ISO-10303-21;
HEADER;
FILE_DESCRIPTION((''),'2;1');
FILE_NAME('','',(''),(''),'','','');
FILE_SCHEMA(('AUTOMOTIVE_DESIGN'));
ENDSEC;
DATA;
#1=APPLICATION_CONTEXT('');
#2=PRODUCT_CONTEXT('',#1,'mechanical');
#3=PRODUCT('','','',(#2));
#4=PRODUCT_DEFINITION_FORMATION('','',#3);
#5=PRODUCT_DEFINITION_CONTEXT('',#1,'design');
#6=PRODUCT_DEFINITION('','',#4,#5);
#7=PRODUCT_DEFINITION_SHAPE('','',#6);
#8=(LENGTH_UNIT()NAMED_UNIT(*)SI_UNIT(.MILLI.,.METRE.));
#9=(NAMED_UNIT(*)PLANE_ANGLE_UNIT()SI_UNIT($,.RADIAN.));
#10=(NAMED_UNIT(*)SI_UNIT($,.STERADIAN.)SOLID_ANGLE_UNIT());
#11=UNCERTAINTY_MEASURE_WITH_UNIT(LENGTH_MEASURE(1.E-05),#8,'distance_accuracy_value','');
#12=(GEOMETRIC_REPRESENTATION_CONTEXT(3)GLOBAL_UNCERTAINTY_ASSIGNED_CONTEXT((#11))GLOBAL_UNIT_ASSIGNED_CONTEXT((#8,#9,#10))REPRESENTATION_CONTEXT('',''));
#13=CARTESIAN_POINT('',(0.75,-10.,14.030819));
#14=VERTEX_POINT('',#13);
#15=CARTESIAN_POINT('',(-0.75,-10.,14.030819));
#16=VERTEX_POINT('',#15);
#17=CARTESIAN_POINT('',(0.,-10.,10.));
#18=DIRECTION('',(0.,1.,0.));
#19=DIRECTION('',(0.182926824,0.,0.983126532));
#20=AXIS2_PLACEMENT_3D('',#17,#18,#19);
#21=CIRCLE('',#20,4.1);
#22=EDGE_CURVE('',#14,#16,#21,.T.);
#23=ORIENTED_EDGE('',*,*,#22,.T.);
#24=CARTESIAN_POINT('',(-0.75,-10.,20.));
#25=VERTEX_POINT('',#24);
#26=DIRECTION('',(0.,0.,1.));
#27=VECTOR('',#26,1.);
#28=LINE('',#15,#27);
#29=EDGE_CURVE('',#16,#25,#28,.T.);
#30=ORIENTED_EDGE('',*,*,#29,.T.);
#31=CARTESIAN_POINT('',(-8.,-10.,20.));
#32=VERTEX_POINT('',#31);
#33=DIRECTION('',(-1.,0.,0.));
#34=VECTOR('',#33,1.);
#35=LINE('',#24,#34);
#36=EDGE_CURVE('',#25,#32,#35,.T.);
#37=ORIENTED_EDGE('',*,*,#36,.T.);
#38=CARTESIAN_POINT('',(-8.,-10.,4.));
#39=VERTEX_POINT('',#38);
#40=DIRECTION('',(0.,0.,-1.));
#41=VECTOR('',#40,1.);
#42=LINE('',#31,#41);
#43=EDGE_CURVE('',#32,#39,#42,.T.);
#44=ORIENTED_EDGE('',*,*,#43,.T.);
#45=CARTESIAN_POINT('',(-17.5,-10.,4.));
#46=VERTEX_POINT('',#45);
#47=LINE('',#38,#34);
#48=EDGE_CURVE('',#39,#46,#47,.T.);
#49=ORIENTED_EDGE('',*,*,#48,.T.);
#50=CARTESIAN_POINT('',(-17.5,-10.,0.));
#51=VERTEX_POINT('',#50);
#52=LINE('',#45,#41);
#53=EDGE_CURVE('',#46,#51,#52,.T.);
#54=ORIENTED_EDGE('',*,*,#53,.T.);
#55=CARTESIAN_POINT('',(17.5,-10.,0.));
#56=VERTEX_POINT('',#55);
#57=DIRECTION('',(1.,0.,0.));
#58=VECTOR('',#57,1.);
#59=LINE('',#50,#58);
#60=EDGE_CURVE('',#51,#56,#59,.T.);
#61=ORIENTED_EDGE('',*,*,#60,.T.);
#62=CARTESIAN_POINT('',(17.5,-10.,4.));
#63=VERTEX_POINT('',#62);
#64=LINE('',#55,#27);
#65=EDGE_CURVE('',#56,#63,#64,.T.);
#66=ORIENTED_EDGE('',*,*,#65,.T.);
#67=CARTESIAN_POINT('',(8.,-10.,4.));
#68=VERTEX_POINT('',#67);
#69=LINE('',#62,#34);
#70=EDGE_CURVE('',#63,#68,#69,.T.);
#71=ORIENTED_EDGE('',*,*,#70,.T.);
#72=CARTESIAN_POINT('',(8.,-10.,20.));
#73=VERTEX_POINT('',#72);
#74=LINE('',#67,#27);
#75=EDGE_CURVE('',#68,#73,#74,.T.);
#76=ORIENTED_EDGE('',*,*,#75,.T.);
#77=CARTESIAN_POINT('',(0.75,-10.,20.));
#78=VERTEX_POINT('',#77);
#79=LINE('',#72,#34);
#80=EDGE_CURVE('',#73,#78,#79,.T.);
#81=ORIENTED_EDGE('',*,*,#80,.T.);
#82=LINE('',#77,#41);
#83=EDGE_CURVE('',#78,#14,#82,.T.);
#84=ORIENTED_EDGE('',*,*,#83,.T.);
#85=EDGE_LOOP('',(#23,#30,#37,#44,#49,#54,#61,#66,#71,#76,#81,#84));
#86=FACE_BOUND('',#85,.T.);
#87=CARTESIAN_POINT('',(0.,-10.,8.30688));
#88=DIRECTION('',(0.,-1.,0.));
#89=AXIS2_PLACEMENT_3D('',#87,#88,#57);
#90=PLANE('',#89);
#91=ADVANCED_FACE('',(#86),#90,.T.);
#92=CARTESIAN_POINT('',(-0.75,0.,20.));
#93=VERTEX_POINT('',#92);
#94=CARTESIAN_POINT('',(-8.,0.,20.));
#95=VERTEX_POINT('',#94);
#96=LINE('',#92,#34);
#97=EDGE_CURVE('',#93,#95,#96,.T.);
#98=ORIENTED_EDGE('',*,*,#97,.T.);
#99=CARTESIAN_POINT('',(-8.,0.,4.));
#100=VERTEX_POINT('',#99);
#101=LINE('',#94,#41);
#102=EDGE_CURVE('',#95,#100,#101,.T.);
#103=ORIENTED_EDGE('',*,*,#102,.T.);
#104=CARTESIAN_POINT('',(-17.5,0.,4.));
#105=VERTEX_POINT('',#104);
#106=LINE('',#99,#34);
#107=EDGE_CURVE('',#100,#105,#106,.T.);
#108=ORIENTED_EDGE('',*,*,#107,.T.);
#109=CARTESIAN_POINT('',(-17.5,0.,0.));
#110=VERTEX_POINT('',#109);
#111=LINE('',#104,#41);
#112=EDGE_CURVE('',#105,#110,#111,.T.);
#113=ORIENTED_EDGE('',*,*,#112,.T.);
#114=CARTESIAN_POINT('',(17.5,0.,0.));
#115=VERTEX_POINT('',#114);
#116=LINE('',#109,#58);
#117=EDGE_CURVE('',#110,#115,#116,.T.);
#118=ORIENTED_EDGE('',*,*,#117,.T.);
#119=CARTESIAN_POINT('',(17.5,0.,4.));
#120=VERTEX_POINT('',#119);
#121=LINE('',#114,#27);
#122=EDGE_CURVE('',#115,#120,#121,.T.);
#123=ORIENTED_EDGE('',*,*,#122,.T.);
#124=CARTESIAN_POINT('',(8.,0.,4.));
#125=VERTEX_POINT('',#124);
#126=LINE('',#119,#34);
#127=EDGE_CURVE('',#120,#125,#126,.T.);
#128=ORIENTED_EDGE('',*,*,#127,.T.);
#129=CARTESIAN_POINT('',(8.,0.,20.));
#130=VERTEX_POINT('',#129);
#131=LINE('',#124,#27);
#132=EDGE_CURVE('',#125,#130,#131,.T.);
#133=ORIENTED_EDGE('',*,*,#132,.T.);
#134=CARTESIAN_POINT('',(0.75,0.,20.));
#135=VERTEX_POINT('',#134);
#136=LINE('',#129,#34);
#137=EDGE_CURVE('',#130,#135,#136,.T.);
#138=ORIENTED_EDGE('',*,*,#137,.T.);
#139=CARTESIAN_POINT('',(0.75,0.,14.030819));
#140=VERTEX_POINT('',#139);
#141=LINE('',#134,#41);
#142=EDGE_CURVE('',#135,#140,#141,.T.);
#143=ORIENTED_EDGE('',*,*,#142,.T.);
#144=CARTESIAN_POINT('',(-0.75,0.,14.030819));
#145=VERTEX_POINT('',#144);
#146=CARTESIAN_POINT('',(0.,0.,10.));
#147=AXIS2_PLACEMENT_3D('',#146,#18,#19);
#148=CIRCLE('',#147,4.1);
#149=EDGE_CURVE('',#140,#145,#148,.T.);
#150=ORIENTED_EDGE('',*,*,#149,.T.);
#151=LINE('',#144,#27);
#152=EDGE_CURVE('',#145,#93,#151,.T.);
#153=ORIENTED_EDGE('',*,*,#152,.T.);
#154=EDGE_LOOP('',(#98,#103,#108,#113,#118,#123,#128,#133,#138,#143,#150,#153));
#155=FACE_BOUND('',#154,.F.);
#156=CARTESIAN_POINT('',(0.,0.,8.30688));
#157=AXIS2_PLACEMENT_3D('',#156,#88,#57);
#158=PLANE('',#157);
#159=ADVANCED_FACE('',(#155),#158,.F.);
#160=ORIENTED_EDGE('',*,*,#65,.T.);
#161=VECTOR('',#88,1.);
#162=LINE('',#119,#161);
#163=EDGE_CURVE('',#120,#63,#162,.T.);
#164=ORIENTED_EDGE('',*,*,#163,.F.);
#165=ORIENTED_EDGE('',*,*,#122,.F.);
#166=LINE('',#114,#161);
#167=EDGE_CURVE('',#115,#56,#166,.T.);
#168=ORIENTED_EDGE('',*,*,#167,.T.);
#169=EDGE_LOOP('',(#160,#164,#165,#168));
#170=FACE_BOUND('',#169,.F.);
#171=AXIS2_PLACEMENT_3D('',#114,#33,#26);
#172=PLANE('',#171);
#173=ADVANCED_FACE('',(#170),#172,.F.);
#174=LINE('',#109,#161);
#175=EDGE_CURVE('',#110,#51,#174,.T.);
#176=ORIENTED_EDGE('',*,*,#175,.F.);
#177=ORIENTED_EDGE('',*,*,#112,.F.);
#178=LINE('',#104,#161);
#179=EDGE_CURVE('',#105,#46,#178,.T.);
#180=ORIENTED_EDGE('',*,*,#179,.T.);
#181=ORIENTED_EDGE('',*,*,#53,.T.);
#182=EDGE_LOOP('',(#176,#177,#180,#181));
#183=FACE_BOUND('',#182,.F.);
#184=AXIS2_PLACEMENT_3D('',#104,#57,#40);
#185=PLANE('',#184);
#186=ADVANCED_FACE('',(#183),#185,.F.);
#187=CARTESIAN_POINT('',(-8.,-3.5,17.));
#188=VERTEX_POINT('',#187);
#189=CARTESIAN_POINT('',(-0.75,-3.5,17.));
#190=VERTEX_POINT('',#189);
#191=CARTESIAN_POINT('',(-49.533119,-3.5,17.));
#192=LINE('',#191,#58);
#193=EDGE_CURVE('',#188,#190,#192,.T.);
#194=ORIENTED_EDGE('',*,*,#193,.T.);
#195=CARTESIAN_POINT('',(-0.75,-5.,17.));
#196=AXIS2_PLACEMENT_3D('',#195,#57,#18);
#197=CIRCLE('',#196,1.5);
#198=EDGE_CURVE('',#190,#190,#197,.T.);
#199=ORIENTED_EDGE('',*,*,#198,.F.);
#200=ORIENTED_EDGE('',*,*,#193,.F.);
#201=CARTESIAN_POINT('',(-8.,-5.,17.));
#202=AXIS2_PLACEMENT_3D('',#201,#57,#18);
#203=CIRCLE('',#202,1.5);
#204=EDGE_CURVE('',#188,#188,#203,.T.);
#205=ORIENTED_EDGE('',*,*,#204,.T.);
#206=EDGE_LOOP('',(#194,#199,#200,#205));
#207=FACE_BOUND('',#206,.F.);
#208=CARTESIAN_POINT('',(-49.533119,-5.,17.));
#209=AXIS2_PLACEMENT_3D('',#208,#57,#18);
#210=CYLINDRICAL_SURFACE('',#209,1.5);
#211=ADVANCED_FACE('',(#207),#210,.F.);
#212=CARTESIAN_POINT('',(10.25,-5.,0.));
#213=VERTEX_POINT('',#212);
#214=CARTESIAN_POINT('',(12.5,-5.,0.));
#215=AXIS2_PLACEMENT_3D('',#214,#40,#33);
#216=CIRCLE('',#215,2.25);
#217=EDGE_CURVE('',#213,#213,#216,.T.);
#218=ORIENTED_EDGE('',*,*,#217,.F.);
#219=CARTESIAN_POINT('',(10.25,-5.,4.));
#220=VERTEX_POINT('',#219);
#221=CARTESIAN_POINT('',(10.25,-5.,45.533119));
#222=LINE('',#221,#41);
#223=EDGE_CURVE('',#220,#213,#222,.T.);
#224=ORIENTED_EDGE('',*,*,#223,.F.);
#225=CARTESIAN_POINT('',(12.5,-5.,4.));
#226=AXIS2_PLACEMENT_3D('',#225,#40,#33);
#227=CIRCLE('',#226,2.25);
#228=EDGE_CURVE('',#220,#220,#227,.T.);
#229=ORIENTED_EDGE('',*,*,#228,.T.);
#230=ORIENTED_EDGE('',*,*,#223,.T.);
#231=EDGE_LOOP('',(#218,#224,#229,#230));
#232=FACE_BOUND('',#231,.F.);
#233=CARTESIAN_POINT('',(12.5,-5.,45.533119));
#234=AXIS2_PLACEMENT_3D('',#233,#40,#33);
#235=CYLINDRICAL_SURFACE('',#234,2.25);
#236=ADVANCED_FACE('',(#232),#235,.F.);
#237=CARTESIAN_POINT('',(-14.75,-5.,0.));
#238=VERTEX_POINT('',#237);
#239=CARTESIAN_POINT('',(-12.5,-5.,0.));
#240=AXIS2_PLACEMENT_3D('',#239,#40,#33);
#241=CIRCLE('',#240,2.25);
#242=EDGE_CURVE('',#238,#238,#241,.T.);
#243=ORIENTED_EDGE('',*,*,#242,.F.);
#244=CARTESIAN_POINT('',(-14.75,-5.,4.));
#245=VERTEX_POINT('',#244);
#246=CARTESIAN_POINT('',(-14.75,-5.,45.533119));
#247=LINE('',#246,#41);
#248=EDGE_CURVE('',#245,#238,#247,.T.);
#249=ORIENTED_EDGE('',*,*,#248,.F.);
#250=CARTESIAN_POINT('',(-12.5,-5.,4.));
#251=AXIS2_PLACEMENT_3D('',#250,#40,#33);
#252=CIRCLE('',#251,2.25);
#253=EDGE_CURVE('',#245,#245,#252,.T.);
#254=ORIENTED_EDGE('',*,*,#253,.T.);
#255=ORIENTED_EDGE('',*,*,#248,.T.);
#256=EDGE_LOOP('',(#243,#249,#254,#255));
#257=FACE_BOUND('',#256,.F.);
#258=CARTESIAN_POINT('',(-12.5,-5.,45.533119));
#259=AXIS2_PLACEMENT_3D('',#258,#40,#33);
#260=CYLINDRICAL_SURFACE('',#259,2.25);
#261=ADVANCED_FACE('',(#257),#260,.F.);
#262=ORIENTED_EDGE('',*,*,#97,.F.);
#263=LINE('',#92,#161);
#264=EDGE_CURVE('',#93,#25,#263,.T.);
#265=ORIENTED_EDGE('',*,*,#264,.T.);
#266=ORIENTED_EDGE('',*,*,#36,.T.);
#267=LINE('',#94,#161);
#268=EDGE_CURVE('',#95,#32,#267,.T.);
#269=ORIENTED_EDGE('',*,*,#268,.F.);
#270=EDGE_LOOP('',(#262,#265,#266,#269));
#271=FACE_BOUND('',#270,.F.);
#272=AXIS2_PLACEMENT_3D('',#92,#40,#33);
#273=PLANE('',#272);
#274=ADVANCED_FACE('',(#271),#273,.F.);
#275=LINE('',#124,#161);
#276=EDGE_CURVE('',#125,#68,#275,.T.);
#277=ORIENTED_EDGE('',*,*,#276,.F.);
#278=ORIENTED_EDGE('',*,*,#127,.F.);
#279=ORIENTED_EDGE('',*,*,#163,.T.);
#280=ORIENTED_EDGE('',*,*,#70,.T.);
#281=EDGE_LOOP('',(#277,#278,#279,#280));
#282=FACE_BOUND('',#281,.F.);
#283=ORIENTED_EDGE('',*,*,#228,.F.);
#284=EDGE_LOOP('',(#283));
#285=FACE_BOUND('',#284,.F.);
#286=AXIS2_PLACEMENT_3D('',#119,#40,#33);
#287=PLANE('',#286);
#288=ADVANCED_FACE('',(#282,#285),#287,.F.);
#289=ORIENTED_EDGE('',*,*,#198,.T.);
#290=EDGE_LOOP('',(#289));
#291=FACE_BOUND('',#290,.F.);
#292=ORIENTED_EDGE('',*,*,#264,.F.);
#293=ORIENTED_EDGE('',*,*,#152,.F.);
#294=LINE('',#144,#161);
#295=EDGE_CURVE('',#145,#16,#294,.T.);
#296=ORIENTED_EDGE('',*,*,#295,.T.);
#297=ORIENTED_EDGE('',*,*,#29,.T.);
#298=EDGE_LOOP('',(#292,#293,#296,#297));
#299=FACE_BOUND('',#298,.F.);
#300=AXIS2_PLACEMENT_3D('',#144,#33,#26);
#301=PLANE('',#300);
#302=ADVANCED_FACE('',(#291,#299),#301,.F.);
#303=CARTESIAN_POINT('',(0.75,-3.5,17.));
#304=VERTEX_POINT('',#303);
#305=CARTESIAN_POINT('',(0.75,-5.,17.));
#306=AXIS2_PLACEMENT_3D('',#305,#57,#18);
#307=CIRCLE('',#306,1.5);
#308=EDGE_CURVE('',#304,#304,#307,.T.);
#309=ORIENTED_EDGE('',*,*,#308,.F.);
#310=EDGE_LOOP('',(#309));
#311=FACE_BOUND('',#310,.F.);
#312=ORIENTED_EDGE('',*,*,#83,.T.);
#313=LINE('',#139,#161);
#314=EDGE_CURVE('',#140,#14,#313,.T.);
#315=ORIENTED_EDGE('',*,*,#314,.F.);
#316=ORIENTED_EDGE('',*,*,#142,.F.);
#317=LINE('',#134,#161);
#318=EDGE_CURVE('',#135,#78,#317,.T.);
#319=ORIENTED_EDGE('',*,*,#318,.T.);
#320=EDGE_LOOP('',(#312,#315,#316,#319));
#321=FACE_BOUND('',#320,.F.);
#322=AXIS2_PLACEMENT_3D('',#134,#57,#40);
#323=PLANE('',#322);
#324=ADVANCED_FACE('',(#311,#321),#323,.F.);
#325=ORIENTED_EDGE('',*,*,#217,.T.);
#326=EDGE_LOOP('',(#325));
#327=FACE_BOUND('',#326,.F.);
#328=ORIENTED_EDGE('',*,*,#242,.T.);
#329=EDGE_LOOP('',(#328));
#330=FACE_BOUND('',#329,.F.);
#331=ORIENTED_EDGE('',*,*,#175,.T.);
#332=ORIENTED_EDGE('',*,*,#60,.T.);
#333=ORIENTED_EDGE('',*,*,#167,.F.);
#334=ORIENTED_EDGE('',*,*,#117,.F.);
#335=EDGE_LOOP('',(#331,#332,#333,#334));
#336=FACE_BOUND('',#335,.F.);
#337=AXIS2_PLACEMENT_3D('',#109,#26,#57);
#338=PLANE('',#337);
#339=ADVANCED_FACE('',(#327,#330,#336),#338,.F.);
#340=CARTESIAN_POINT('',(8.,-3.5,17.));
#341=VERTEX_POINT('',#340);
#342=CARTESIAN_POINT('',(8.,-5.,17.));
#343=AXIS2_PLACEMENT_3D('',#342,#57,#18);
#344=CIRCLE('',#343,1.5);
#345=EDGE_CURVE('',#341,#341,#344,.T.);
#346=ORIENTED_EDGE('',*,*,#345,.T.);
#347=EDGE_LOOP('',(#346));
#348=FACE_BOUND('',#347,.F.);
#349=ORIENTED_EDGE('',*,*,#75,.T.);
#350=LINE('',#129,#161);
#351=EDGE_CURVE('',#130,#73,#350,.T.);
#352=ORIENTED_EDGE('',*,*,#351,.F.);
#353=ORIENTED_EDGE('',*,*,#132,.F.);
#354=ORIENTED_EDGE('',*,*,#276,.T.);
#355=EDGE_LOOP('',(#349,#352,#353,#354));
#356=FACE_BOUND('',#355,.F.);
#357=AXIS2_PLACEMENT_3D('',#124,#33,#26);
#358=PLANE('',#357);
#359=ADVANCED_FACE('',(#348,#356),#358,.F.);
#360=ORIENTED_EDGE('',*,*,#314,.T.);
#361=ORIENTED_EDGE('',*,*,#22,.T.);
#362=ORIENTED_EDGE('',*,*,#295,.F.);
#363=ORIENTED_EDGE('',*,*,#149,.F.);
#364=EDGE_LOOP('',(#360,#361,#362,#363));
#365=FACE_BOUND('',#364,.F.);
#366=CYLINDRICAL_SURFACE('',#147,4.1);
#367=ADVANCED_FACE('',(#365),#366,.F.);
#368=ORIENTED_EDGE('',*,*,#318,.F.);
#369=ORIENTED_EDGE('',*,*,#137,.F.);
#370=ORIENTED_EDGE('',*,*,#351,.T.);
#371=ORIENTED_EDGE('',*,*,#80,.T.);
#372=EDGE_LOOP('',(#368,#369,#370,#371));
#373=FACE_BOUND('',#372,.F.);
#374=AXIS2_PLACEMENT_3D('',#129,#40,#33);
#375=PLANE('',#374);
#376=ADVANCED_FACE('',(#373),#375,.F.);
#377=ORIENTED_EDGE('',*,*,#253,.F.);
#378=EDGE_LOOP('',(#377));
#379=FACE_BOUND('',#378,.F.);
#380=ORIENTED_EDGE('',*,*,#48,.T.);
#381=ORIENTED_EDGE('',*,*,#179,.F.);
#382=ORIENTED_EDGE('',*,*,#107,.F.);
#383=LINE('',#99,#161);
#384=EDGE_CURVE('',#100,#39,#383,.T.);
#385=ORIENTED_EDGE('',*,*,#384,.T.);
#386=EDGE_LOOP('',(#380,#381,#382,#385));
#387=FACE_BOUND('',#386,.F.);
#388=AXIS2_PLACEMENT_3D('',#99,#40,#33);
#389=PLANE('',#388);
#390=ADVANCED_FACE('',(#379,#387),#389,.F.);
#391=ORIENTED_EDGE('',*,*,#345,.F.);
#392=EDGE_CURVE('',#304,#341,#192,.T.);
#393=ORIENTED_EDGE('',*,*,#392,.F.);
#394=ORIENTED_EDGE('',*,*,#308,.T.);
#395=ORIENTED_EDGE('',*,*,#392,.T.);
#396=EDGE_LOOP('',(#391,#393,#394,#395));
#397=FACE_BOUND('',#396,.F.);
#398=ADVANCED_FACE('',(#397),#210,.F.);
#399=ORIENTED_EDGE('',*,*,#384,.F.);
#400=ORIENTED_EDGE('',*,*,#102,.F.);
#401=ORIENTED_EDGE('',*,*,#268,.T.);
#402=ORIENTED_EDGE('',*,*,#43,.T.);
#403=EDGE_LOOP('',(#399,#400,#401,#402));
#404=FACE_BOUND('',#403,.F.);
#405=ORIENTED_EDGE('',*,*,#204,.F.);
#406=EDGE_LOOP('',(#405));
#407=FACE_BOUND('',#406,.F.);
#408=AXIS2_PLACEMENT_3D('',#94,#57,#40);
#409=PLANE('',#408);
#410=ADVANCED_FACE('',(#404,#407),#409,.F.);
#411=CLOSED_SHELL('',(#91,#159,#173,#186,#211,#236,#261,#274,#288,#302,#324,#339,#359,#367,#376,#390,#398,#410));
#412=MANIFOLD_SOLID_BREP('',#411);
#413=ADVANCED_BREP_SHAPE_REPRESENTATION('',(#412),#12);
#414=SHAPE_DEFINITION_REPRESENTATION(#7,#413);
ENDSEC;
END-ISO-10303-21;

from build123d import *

# Parameters (mm, degrees)
F1_DEPTH = 10
F3_D     = 4.5
F5_D     = 3


with BuildPart() as f1:
    # F0 (on Front) → F1 (new body)
    with BuildSketch(Plane.XZ):
        with BuildLine():
            Line((-17.5, 0), (-8, 0))
            Line((-8, 0), (8, 0))
            Line((8, 0), (17.5, 0))
            Line((17.5, 0), (17.5, 4))
            Line((17.5, 4), (8, 4))
            Line((8, 4), (8, 20))
            Line((8, 20), (0.75, 20))
            Line((0.75, 20), (0.75, 14.030819))
            ThreePointArc((0.75, 14.030819), (0, 5.9), (-0.75, 14.030819))
            Line((-0.75, 14.030819), (-0.75, 20))
            Line((-0.75, 20), (-8, 20))
            Line((-8, 20), (-8, 4))
            Line((-8, 4), (-17.5, 4))
            Line((-17.5, 4), (-17.5, 0))
        make_face()
    extrude(amount=F1_DEPTH)

    # F3 (through all)
    with Locations(Plane.XY.offset(4)):
        with Locations((-12.5, -5), (12.5, -5)):
            Hole(F3_D / 2)

    # F5 (through all)
    with Locations(Plane(origin=(-8, 0, 0), x_dir=(0, -1, 0), z_dir=(-1, 0, 0))):
        with Locations((5, 17)):
            Hole(F5_D / 2)


solid = f1.part
